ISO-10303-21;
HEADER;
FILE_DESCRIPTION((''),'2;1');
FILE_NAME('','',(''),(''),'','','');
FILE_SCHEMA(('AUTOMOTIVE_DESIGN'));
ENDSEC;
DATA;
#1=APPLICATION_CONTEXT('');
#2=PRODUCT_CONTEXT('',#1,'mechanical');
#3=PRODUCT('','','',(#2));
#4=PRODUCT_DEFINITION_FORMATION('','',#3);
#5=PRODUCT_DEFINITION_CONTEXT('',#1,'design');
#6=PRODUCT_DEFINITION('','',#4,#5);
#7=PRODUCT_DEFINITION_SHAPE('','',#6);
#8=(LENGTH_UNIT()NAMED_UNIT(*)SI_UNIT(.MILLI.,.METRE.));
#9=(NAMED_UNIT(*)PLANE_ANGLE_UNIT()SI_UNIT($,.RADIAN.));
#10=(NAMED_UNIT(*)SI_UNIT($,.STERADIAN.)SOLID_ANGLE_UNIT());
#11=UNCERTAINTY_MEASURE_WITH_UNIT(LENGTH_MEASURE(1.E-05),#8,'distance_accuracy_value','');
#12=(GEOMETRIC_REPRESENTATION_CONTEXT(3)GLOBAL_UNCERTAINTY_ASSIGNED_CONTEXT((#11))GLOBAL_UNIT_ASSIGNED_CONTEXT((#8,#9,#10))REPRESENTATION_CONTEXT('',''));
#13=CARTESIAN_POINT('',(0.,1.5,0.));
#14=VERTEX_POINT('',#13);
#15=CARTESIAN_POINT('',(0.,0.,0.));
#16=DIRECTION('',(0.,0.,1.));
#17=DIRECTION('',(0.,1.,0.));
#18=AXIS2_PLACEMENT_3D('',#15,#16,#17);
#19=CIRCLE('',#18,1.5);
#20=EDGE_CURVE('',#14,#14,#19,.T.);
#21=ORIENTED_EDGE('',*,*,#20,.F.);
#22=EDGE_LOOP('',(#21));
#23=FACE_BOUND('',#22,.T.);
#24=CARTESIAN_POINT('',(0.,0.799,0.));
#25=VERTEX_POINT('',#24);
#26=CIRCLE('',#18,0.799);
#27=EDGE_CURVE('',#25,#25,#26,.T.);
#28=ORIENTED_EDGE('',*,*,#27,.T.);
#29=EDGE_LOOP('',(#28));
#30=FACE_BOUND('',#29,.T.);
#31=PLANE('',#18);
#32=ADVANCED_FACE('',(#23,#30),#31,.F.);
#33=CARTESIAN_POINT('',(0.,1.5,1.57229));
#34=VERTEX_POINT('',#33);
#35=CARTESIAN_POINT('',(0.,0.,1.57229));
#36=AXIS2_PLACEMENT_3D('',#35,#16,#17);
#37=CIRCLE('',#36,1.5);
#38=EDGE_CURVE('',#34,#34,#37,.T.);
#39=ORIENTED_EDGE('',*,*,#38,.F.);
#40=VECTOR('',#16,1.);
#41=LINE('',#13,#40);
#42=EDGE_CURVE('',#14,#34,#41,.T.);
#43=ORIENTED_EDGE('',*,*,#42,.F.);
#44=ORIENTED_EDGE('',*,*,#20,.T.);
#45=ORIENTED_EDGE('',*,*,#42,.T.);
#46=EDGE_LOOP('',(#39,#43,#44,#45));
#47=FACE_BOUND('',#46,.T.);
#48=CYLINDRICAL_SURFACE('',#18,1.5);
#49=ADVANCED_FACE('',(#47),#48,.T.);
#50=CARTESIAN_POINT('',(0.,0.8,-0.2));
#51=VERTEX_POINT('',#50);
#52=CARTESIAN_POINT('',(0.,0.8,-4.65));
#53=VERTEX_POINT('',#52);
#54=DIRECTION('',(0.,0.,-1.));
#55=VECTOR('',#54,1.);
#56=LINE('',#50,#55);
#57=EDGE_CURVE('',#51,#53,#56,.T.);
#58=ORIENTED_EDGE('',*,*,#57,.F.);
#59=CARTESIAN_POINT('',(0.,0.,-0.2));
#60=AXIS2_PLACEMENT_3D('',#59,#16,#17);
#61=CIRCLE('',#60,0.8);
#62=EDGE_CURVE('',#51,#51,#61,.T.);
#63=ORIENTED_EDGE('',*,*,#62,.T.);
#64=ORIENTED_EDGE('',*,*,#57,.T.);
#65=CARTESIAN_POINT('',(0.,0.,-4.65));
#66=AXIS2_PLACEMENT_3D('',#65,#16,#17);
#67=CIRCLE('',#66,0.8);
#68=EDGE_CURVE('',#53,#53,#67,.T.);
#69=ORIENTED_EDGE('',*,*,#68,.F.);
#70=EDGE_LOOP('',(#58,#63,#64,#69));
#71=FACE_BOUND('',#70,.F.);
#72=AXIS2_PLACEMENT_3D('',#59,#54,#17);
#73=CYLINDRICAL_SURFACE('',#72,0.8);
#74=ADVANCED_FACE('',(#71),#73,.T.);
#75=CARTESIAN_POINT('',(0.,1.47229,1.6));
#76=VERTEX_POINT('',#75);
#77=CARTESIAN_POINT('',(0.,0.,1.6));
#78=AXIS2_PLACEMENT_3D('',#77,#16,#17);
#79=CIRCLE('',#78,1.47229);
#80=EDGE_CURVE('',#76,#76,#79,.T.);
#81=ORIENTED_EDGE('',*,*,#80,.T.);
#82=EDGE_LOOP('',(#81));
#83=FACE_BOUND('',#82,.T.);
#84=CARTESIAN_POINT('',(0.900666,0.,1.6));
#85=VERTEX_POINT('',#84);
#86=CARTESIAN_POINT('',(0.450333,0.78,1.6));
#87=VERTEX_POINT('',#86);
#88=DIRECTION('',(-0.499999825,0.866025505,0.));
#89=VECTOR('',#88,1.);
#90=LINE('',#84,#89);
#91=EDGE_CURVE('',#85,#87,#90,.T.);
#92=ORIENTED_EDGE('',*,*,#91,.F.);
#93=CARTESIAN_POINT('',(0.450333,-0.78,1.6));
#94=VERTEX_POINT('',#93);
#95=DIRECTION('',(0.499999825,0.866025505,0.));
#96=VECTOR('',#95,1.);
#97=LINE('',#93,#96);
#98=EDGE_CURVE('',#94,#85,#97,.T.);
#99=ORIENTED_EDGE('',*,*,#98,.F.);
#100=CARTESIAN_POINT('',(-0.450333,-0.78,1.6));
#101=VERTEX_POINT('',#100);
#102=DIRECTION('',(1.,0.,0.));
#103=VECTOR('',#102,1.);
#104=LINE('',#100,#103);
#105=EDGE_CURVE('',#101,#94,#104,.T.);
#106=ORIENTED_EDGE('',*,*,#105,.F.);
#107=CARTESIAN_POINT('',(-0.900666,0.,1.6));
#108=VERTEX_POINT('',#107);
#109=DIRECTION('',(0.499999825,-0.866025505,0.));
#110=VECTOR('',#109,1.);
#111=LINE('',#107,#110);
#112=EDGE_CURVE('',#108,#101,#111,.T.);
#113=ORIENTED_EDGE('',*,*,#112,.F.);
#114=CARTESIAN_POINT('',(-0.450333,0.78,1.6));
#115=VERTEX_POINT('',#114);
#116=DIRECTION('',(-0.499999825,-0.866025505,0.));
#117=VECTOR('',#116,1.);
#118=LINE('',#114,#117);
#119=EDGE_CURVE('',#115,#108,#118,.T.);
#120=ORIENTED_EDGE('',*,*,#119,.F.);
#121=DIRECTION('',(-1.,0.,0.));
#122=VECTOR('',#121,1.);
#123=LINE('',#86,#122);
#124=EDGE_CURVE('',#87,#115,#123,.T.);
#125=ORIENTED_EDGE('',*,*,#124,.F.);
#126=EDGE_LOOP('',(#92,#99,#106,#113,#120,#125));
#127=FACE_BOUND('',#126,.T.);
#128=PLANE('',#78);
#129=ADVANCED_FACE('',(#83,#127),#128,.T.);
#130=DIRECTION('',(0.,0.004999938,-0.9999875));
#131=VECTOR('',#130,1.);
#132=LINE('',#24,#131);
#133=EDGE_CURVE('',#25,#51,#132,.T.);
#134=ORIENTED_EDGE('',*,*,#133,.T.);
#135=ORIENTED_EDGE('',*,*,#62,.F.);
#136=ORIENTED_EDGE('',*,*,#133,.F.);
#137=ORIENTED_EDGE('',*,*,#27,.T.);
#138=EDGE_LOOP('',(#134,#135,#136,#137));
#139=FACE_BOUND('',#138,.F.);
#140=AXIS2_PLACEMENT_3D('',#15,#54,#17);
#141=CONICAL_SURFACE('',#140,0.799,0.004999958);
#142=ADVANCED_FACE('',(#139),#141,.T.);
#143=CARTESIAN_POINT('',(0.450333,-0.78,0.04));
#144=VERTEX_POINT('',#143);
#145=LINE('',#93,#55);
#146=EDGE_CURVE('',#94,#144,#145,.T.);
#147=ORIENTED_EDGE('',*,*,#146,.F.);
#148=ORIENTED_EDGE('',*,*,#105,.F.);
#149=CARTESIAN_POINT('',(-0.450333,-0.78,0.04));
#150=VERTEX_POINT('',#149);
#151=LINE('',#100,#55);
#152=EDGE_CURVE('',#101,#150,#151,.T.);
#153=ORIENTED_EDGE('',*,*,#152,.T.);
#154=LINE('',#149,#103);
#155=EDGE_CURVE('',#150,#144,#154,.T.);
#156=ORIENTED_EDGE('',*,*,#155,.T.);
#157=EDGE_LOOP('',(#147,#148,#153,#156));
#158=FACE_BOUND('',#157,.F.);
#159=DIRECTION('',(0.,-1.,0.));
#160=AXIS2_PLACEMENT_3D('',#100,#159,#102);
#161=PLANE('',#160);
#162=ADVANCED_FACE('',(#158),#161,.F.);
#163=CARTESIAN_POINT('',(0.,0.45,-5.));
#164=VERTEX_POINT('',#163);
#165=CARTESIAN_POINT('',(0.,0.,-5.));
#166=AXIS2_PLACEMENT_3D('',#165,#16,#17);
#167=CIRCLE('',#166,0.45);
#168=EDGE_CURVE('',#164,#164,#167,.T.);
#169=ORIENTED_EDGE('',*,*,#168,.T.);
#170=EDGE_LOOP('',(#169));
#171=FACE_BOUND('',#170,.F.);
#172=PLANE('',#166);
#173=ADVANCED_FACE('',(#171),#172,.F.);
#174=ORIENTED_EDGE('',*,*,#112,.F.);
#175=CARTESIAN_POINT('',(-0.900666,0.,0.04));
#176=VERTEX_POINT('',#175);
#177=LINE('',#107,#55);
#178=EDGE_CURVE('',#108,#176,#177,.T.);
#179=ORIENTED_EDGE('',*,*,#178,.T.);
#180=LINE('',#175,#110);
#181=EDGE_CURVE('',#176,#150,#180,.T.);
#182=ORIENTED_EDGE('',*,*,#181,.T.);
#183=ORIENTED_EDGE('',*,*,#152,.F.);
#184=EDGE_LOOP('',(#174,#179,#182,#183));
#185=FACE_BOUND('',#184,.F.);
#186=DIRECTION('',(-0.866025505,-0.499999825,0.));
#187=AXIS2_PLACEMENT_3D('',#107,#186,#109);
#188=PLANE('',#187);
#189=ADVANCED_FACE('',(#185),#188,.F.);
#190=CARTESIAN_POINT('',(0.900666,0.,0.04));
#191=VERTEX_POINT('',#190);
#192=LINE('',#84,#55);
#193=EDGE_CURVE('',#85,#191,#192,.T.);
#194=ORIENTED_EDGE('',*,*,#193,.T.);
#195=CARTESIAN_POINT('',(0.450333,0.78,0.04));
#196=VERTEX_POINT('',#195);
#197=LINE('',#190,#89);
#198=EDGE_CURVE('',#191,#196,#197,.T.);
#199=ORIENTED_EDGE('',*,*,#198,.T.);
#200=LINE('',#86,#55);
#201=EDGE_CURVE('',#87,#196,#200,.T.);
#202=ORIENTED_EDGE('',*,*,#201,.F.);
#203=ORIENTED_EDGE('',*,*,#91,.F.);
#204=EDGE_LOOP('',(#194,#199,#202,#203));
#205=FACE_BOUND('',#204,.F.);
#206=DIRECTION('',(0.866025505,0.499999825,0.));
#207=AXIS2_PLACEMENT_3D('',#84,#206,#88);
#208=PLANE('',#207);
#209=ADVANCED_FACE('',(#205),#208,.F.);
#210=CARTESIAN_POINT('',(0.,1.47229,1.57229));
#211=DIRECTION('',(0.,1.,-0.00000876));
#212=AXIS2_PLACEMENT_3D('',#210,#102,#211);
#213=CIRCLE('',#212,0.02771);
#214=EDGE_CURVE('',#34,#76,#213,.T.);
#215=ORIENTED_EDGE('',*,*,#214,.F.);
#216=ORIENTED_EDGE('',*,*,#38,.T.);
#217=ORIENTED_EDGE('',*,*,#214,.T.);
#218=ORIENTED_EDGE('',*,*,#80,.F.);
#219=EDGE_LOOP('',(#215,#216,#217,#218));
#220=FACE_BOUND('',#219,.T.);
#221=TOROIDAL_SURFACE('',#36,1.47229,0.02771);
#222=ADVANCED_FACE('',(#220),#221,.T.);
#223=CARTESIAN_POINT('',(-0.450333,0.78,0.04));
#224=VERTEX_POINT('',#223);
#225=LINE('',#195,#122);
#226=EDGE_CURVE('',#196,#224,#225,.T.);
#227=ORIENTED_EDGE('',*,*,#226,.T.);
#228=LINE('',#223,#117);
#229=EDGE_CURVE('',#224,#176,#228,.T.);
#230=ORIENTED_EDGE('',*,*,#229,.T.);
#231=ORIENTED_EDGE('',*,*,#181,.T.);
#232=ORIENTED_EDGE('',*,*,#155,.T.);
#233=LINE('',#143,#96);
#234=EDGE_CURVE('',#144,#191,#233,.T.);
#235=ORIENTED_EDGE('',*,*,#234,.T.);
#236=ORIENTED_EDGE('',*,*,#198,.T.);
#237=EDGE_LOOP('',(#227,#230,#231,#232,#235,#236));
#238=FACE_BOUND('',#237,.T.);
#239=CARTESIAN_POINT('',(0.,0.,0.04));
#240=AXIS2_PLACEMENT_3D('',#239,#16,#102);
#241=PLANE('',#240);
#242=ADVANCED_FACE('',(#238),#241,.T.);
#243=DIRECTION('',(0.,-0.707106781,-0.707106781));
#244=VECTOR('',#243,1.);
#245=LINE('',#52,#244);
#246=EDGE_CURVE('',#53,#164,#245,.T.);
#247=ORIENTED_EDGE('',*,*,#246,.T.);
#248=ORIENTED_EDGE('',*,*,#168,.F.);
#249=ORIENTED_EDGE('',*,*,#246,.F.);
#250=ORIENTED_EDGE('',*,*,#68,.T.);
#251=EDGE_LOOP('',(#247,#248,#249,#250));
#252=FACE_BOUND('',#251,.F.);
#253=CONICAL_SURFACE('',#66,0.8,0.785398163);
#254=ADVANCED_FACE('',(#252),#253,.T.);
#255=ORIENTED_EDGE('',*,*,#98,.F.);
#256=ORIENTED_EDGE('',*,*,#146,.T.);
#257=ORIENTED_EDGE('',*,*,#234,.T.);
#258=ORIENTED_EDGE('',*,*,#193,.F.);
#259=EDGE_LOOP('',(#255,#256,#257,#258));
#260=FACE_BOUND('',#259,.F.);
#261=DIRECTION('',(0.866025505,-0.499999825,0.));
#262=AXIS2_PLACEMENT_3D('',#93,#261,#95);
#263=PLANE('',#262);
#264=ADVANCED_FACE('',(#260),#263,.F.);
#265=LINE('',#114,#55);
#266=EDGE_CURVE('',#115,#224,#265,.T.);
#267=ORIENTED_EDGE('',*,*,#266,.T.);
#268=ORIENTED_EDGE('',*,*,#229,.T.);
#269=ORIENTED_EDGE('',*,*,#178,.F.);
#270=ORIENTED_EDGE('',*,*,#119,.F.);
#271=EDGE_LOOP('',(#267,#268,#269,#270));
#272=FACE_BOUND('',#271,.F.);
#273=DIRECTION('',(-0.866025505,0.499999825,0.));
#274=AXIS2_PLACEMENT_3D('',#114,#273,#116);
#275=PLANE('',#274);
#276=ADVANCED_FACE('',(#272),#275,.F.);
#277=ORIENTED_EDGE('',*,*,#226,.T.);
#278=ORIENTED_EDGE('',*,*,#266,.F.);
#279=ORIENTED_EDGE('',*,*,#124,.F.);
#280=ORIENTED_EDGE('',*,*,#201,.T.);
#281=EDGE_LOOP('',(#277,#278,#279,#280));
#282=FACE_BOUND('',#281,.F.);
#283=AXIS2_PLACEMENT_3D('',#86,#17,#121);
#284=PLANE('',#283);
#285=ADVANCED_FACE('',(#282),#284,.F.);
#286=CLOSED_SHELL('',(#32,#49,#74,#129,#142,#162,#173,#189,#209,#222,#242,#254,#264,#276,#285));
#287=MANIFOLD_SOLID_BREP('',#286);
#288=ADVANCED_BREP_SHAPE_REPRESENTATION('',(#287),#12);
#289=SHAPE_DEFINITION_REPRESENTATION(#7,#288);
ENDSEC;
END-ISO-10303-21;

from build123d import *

# Parameters (mm, degrees)
POCKET_DEPTH = 1.56


with BuildPart() as part:
    # Sketch → Revolve (revolve)
    with BuildSketch(Plane.YZ):
        with BuildLine():
            Line((0.799, 0), (1.5, 0))
            Line((1.5, 0), (1.5, 1.57229))
            ThreePointArc((1.5, 1.57229), (1.491884, 1.591884), (1.47229, 1.6))
            Line((1.47229, 1.6), (0, 1.6))
            Line((0, -5), (0, 1.6))
            Line((0.45, -5), (0, -5))
            Line((0.8, -4.65), (0.45, -5))
            Line((0.8, -0.2), (0.8, -4.65))
            Line((0.799, 0), (0.8, -0.2))
        make_face()
    revolve(axis=Axis((0, 0, 0), (0, 0, 1)))

    # Sketch001 → Pocket (cut)
    with BuildSketch(Plane.XY.offset(1.6)):
        Polygon((0.900666, 0), (0.450333, 0.78), (-0.450333, 0.78), (-0.900666, 0), (-0.450333, -0.78), (0.450333, -0.78), align=None)
    extrude(amount=-POCKET_DEPTH, mode=Mode.SUBTRACT)


solid = part.part
